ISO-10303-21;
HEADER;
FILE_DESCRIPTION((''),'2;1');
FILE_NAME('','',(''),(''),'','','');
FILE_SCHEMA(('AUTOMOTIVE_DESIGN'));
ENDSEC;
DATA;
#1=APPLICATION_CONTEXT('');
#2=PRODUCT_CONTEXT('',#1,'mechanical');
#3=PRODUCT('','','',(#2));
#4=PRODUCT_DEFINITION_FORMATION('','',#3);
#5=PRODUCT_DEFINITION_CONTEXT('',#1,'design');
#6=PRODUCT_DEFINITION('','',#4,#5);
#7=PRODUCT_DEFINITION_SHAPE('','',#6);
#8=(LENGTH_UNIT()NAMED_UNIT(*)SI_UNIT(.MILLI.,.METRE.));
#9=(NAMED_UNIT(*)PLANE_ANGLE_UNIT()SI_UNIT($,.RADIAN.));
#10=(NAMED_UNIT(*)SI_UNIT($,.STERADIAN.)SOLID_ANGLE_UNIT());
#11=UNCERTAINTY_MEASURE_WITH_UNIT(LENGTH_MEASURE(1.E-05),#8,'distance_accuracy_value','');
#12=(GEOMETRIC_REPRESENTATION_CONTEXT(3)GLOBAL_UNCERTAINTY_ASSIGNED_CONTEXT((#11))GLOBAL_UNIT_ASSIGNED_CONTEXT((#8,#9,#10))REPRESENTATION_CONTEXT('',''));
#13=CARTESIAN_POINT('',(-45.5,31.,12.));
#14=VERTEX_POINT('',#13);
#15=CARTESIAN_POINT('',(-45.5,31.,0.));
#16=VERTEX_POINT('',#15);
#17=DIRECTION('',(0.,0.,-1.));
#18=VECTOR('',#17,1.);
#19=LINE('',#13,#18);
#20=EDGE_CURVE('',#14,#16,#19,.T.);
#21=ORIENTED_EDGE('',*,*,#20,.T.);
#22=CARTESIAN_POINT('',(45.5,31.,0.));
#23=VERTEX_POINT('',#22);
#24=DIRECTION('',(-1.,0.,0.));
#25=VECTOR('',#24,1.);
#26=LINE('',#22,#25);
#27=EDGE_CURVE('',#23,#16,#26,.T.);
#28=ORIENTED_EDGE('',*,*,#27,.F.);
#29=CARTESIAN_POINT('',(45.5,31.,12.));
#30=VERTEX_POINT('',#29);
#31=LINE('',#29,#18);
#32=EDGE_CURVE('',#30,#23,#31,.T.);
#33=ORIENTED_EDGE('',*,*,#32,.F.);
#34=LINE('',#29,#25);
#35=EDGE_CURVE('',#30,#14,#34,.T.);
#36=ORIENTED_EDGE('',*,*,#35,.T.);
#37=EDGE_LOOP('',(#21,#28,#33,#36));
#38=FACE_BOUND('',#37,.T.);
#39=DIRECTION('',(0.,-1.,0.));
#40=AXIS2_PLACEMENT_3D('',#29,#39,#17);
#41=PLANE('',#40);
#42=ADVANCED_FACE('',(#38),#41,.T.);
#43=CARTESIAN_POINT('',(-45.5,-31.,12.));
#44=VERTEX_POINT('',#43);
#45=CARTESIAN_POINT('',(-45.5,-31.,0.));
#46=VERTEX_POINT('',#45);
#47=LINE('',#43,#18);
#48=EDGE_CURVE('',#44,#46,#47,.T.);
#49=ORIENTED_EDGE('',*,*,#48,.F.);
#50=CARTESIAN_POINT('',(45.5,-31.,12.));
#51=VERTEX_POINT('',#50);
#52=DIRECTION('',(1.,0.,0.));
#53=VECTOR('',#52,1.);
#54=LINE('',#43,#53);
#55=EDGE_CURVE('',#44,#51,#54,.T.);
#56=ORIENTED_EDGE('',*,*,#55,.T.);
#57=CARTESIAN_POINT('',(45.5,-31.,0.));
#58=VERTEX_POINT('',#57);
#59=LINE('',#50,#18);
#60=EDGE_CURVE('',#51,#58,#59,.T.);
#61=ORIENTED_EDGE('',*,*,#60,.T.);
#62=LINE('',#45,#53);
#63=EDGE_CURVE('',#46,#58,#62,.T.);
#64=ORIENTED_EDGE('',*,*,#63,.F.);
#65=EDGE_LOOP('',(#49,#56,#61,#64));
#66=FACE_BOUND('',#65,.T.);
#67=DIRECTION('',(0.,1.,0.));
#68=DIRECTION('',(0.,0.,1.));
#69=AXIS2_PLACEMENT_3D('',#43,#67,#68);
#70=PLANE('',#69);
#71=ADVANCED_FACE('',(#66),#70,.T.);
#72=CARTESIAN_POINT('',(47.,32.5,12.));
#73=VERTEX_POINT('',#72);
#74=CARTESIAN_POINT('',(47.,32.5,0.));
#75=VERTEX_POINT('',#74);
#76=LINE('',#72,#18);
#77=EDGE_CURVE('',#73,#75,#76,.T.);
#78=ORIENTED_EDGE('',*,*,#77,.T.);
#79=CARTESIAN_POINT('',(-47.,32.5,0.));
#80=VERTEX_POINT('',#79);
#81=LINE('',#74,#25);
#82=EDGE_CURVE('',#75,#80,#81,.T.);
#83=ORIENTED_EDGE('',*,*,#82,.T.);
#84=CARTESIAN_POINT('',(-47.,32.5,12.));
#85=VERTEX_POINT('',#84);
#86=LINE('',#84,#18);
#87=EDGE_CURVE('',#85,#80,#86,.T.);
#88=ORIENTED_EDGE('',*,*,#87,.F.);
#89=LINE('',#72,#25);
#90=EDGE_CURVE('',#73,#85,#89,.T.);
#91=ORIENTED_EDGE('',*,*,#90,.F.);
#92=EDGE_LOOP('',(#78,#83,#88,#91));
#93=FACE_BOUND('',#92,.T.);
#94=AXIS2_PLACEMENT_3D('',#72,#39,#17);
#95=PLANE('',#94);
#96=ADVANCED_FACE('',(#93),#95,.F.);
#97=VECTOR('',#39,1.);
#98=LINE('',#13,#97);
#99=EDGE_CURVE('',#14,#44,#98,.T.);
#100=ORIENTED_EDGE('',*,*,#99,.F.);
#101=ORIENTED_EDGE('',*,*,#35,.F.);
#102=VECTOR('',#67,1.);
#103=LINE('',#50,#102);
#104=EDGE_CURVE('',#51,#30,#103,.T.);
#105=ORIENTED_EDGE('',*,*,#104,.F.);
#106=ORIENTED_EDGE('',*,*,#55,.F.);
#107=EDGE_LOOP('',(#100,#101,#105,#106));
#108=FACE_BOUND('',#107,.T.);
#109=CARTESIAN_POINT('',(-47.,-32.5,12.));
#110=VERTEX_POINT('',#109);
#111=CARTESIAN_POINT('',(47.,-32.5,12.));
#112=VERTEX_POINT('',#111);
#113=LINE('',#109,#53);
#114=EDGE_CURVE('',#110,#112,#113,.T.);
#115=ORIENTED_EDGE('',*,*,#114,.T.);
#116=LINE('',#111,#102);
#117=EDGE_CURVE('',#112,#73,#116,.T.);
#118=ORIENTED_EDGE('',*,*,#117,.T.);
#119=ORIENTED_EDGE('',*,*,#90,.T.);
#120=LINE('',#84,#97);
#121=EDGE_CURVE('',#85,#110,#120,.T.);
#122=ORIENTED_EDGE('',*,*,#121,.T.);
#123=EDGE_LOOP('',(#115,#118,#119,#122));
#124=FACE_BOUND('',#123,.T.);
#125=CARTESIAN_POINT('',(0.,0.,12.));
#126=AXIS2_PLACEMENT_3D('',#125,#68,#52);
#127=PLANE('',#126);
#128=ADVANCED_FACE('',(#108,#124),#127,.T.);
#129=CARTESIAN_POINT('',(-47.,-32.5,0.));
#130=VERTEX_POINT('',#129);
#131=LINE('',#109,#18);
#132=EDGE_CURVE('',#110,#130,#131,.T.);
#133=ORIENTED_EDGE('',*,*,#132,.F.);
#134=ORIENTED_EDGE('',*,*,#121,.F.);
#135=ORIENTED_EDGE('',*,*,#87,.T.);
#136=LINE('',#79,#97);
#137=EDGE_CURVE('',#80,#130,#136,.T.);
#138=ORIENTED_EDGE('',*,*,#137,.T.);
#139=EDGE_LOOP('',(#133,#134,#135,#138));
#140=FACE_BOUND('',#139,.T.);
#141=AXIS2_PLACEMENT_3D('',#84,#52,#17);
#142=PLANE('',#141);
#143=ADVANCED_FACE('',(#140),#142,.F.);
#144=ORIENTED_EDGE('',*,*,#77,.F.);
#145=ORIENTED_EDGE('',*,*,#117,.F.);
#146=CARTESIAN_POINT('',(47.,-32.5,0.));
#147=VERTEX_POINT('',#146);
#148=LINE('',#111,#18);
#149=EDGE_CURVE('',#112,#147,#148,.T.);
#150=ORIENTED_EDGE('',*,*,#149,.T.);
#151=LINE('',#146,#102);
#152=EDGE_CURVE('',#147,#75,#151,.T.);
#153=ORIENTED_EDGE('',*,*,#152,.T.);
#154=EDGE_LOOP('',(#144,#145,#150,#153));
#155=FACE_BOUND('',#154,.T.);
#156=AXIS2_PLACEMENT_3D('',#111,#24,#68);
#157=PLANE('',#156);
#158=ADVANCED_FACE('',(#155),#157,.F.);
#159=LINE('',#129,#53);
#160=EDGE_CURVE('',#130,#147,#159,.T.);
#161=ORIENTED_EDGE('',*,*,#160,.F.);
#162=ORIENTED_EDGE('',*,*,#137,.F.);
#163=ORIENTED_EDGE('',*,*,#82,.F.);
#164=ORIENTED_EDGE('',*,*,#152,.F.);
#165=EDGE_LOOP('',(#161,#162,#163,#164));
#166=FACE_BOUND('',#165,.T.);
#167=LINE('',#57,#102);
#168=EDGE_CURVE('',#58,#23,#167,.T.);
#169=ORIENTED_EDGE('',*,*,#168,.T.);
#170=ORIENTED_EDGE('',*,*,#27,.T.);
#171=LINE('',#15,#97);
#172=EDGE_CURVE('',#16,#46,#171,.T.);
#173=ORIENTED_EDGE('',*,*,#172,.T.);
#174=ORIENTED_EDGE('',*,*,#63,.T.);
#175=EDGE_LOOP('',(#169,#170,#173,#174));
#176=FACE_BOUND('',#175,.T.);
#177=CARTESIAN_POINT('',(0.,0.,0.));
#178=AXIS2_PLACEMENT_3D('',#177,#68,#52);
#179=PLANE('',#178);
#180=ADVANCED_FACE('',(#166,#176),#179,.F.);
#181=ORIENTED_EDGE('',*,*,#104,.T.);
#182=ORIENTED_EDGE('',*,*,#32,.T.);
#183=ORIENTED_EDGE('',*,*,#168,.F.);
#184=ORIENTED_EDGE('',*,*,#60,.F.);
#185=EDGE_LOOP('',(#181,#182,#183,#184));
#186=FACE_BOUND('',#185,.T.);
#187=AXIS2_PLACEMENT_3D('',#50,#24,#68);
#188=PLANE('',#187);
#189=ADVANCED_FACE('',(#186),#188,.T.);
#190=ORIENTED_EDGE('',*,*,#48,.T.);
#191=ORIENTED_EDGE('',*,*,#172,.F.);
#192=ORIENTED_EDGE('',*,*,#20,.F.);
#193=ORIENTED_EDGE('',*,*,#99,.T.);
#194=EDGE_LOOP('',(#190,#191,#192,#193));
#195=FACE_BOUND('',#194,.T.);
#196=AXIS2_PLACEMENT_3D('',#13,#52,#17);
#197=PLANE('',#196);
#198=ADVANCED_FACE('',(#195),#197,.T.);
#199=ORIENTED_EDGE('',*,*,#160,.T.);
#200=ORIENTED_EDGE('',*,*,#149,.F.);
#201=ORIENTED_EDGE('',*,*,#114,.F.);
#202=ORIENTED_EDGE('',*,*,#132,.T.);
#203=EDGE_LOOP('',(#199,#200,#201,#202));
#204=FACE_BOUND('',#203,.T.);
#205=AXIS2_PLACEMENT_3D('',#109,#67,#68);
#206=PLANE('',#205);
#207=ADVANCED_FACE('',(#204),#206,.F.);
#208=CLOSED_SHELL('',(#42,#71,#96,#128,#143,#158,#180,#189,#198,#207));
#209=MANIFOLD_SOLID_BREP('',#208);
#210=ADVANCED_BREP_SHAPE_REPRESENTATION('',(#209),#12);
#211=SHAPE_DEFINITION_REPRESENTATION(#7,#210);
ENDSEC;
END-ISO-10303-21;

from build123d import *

# Parameters (mm, degrees)
SKETCH1_W       = 94
SKETCH1_H       = 65
SKETCH1_W_2     = 91
SKETCH1_H_2     = 62
TOP_WALLS_DEPTH = 12


with BuildPart() as part:
    # Sketch1 → Top Walls (new body)
    with BuildSketch(Plane.XY):
        Rectangle(SKETCH1_W, SKETCH1_H)
        Rectangle(SKETCH1_W_2, SKETCH1_H_2, mode=Mode.SUBTRACT)
    extrude(amount=TOP_WALLS_DEPTH)


solid = part.part
